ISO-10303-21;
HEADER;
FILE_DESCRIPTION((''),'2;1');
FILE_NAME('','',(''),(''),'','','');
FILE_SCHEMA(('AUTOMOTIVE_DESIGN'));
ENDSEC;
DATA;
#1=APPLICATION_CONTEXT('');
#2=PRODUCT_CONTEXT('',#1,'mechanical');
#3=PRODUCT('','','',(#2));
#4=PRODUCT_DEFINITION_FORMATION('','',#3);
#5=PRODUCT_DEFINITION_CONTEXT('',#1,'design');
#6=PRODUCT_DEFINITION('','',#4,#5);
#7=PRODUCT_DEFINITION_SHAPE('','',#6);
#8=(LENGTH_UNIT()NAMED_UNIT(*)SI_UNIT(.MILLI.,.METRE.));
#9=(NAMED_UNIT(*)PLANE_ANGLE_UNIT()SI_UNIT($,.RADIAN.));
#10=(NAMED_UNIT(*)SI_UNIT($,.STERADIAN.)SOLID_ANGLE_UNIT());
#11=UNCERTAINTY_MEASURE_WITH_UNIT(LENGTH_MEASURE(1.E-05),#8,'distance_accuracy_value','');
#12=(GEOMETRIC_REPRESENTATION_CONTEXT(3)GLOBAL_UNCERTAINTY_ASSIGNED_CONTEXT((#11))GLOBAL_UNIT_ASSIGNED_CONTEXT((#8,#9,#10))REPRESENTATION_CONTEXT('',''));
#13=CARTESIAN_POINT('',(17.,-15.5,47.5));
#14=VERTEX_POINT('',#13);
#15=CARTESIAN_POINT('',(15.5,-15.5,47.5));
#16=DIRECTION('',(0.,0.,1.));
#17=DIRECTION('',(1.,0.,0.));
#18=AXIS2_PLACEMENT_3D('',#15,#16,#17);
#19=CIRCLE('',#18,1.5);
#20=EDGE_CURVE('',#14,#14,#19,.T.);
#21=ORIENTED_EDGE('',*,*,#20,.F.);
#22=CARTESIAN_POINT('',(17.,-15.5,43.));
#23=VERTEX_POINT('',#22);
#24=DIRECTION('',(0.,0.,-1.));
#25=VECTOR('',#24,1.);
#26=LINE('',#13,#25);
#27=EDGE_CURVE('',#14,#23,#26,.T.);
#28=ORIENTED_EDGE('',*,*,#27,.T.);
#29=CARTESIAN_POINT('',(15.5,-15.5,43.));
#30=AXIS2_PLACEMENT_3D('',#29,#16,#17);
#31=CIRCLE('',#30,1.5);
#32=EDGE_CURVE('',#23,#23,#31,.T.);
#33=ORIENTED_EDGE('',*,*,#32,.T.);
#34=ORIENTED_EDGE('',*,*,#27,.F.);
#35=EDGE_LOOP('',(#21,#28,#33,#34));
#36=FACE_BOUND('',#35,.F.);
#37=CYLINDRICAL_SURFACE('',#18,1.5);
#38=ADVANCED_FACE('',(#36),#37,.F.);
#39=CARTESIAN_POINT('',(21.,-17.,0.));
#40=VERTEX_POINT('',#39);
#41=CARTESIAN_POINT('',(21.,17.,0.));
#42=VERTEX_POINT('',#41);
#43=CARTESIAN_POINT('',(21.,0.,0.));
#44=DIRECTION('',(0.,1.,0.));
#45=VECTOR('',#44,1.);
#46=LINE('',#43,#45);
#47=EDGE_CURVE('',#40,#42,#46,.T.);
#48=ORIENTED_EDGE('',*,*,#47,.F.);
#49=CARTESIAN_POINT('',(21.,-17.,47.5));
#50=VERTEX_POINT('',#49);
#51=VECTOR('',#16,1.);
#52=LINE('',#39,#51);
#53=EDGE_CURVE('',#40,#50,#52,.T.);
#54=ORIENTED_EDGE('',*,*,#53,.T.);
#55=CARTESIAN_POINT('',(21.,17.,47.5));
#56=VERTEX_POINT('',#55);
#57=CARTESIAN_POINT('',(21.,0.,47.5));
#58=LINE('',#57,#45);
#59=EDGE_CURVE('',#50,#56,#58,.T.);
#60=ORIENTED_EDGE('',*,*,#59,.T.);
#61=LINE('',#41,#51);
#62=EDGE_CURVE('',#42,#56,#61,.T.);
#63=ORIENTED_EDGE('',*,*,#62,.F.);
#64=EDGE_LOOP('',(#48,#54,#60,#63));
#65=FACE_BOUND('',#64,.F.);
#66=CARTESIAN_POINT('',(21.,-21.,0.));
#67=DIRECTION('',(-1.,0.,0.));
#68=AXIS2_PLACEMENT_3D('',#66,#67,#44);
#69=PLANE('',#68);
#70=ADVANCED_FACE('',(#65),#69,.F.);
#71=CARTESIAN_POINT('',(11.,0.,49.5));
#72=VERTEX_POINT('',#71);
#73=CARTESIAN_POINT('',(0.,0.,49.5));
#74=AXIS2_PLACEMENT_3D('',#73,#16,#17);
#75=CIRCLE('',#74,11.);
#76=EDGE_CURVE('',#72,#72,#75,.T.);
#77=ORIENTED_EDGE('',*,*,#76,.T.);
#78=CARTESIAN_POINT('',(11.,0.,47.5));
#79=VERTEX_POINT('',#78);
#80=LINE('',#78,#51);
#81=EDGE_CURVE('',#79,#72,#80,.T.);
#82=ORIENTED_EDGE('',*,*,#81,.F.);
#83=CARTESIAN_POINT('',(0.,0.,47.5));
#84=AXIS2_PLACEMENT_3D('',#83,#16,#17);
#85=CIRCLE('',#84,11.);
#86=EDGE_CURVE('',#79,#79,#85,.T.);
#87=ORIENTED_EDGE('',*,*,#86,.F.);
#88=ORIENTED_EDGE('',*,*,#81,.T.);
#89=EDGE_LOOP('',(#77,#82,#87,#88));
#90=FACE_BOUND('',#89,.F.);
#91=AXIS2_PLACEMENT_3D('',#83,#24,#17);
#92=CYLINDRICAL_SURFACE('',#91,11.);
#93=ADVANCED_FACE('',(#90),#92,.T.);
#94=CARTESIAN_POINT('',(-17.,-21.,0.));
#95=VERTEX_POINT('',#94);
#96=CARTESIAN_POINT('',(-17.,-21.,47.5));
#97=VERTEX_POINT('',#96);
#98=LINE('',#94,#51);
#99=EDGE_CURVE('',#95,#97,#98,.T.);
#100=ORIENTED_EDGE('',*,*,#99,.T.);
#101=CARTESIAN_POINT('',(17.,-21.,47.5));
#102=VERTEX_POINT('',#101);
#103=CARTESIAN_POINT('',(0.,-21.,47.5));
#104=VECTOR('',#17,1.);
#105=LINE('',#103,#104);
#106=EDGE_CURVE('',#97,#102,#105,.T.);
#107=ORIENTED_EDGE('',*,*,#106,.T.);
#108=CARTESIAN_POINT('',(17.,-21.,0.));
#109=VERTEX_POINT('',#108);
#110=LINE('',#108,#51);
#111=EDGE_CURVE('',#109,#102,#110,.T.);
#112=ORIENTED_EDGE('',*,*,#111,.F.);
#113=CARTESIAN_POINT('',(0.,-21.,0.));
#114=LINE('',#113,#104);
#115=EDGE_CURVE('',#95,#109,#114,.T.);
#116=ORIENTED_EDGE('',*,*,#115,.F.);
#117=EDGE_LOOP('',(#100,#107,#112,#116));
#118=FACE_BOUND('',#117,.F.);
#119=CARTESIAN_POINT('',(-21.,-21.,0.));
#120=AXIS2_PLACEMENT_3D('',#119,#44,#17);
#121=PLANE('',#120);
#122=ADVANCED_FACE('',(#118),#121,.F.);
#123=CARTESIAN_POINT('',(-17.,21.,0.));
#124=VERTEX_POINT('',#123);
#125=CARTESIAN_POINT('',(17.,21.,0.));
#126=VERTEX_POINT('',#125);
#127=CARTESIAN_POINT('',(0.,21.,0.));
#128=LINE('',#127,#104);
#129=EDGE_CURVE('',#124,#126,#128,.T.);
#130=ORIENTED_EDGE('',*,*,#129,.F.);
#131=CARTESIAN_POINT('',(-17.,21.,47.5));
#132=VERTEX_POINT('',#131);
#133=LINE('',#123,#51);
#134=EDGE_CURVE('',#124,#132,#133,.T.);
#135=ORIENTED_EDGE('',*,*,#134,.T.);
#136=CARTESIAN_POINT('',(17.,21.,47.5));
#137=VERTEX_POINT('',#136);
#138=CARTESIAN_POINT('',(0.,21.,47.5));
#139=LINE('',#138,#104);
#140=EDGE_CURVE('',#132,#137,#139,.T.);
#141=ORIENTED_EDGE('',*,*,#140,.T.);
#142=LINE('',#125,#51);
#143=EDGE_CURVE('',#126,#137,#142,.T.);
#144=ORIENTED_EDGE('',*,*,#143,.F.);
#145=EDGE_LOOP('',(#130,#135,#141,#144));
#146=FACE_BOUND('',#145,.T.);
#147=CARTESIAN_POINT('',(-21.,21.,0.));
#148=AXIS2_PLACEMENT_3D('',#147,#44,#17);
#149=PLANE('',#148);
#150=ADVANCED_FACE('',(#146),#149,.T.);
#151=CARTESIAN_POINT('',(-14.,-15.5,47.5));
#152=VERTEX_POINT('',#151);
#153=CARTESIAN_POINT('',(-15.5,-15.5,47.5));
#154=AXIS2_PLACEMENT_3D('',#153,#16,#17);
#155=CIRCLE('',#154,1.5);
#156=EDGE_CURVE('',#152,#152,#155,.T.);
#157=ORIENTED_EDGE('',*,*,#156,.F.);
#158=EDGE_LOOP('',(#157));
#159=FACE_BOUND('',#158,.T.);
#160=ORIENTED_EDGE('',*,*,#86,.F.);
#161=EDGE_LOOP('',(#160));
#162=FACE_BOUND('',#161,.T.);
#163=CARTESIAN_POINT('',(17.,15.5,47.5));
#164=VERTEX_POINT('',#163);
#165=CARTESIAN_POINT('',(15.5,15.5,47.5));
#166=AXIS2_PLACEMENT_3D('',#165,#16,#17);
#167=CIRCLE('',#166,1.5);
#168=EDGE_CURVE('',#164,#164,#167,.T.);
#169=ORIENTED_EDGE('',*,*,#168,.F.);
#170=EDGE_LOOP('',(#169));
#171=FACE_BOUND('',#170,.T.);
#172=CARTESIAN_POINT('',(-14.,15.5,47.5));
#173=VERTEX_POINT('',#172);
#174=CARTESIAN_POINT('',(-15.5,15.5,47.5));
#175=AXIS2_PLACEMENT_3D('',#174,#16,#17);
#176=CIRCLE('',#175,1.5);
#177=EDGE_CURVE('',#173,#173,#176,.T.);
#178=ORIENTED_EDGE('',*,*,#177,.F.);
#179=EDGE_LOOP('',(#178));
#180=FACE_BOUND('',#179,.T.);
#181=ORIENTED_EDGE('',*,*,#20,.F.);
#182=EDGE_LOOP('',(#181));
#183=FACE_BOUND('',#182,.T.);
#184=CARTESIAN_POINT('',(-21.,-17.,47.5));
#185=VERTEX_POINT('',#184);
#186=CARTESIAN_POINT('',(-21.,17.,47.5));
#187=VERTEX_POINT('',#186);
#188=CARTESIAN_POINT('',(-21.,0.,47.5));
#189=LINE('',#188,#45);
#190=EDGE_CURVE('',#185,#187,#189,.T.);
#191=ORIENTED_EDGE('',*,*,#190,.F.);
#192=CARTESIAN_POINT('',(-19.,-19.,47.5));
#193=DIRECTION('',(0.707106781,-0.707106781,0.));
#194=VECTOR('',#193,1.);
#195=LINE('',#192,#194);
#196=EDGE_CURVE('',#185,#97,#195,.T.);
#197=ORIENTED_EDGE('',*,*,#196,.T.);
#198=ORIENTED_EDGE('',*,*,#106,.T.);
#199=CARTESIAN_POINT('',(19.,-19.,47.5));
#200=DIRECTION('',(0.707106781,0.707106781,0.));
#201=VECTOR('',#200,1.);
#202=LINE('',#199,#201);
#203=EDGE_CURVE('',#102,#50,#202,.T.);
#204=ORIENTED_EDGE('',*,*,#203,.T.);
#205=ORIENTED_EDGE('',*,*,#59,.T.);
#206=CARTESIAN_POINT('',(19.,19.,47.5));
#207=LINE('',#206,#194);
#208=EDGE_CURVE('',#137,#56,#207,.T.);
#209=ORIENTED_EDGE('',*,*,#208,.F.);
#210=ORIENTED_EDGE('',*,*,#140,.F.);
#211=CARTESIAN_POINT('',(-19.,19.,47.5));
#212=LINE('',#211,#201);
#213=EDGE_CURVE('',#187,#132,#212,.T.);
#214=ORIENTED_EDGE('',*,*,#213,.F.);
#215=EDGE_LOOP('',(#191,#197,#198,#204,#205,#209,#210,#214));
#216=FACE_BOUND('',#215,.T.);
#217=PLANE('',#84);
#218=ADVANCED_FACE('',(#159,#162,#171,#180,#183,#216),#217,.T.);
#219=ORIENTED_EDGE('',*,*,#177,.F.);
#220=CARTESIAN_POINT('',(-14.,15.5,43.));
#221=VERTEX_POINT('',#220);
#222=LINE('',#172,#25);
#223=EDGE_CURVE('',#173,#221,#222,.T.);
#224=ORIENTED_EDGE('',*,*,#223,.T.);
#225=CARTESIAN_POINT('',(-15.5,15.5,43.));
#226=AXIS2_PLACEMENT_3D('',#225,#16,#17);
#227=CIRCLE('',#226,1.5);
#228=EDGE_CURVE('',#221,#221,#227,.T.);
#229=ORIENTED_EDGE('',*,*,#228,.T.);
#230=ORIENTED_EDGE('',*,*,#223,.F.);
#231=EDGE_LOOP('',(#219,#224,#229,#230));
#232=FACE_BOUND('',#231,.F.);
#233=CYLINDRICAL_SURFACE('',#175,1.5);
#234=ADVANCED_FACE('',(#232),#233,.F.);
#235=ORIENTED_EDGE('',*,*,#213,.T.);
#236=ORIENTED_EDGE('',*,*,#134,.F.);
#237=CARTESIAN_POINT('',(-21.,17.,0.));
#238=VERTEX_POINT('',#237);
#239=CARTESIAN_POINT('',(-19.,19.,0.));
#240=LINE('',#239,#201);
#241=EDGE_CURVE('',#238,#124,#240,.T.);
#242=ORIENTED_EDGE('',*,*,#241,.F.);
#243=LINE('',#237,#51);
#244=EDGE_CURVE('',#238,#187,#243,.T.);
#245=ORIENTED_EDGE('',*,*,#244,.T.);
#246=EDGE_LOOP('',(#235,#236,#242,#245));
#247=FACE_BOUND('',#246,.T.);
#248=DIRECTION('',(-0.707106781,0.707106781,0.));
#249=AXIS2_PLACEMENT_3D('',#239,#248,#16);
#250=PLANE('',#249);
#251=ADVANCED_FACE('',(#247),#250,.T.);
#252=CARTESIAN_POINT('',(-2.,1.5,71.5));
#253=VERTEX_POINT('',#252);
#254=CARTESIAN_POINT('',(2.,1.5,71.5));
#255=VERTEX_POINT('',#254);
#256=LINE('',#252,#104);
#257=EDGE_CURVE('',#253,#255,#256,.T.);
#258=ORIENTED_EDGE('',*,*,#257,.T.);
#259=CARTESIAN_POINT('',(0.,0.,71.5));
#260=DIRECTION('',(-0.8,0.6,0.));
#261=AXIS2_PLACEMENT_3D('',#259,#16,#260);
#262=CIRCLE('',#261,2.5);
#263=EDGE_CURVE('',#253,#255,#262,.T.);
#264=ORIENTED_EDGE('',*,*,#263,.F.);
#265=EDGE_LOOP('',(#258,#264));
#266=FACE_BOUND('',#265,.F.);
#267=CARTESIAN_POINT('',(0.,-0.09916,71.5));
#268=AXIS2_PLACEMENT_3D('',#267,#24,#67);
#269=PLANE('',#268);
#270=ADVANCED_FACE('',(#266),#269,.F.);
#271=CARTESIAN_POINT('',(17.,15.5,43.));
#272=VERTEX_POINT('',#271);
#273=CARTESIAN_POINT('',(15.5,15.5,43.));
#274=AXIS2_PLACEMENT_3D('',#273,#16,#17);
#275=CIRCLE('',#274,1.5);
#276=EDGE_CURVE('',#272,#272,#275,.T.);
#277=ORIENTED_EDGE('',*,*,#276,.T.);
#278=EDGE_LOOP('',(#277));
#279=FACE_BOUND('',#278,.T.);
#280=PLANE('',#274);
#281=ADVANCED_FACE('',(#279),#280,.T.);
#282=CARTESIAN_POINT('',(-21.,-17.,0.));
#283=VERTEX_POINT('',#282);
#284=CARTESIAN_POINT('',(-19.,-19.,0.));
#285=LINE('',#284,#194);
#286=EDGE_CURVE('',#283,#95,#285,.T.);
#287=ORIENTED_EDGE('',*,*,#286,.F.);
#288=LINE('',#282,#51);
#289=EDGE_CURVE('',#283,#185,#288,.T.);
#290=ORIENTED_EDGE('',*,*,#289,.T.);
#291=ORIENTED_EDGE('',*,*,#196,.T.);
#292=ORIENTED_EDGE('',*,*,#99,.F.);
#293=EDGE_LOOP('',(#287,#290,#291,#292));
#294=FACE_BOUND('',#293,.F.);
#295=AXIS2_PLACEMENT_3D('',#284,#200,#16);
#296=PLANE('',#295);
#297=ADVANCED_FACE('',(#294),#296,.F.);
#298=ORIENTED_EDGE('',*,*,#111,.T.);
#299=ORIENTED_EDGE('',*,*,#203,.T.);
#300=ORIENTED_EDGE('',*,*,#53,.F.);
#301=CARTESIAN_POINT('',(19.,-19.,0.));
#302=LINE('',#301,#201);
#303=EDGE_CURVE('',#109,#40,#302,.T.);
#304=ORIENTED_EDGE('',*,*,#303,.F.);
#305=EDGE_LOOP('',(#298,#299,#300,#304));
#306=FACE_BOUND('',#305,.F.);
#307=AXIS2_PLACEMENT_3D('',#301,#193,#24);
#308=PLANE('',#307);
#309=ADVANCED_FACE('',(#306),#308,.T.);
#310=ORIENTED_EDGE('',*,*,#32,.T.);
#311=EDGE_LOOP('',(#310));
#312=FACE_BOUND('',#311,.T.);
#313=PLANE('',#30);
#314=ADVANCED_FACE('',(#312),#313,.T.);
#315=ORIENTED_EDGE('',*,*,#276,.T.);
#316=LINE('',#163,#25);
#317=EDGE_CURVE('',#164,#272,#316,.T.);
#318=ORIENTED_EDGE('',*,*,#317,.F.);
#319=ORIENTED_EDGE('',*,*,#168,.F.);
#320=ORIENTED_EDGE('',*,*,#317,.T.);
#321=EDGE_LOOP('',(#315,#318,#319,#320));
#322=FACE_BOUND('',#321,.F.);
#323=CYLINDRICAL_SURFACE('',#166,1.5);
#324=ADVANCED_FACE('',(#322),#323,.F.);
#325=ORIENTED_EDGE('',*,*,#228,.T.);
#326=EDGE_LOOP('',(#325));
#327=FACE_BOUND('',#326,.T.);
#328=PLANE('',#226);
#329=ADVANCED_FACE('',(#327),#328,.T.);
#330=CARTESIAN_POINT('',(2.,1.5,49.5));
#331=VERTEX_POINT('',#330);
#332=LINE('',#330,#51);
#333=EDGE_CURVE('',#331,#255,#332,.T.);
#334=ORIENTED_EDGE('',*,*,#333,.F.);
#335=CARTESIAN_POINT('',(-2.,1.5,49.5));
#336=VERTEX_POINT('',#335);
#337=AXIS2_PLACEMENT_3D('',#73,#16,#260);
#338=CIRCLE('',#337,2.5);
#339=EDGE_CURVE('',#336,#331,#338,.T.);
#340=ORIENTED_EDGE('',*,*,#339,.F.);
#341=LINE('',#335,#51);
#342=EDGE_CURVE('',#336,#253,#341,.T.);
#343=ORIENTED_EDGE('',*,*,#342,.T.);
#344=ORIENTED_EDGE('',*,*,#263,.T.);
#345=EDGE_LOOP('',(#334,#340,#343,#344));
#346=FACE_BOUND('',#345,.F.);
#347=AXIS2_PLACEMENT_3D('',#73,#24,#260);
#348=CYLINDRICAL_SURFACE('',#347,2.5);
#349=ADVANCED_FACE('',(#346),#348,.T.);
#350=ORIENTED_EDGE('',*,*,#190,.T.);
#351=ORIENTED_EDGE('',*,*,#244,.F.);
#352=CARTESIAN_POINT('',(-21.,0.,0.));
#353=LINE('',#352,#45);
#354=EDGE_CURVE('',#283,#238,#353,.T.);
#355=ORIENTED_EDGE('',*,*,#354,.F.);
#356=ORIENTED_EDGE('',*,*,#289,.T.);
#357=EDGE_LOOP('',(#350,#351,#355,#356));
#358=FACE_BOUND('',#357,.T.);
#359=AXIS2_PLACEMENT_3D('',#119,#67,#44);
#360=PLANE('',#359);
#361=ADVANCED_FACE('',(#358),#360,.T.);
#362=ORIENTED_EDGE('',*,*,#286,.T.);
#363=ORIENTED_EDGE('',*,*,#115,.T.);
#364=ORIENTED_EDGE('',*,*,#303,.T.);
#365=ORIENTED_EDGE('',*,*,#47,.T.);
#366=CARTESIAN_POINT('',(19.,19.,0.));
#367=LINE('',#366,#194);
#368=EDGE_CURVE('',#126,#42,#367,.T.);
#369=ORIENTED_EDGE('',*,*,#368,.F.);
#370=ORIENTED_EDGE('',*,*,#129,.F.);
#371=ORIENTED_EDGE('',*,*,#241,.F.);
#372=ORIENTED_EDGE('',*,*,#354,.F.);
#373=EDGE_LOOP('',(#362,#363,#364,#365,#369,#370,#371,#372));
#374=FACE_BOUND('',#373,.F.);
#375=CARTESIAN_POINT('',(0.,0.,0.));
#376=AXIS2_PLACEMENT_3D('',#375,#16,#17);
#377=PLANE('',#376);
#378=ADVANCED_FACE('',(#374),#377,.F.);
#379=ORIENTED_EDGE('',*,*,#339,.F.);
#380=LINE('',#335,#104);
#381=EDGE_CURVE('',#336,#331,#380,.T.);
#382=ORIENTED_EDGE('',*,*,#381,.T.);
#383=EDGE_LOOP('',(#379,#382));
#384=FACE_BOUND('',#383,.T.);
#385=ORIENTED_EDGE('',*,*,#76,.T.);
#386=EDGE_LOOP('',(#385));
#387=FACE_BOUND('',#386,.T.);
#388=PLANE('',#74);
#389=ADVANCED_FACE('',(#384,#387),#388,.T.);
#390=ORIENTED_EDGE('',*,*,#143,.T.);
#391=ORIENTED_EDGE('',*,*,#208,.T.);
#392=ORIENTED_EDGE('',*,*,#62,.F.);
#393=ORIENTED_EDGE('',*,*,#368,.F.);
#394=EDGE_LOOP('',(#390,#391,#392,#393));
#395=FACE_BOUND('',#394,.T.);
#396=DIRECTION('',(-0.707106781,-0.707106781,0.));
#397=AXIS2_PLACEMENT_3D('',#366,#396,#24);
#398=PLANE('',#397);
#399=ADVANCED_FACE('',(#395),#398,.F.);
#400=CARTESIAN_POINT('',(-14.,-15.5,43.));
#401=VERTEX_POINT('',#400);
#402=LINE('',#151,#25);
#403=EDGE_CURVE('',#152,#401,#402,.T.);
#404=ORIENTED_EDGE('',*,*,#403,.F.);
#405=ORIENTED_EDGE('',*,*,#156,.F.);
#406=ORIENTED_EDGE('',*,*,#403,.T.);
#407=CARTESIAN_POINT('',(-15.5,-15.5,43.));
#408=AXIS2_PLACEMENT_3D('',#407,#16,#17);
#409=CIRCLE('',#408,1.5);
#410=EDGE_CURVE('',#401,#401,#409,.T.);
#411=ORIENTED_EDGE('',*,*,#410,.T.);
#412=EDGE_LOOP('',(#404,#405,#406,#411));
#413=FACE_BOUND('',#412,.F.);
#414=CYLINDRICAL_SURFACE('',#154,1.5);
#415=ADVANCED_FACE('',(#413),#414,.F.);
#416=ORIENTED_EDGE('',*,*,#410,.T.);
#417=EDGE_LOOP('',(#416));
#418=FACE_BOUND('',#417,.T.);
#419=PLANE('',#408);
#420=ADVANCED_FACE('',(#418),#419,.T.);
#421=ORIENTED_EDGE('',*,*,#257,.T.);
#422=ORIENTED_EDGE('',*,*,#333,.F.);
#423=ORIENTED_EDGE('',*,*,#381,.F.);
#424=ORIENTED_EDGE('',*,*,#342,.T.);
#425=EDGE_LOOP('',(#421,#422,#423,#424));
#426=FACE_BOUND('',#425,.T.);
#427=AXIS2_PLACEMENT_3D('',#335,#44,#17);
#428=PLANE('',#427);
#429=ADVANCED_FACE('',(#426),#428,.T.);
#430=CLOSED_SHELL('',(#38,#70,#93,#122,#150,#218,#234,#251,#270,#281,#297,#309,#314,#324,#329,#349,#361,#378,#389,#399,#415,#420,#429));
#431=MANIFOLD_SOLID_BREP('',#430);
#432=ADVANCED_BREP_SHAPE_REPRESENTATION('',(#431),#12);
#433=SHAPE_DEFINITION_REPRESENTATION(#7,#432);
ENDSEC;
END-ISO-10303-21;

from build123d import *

# Parameters (mm, degrees)
SKETCH_W     = 42
SKETCH_H     = 42
PAD_DEPTH    = 47.5
SKETCH001_R  = 1.5
POCKET_DEPTH = 4.5
SKETCH002_R  = 11
PAD001_DEPTH = 2
PAD002_DEPTH = 22
CHAMFER_SIZE = 4


with BuildPart() as part:
    # Sketch → Pad (new body)
    with BuildSketch(Plane.XY):
        Rectangle(SKETCH_W, SKETCH_H)
    extrude(amount=PAD_DEPTH)

    # Sketch001 → Pocket (cut)
    with BuildSketch(Plane.XY.offset(47.5)):
        with Locations((-15.5, 15.5)):
            Circle(SKETCH001_R)
        with Locations((15.5, 15.5)):
            Circle(SKETCH001_R)
        with Locations((-15.5, -15.5)):
            Circle(SKETCH001_R)
        with Locations((15.5, -15.5)):
            Circle(SKETCH001_R)
    extrude(amount=-POCKET_DEPTH, mode=Mode.SUBTRACT)

    # Sketch002 → Pad001 (new body)
    with BuildSketch(Plane.XY.offset(47.5)):
        Circle(SKETCH002_R)
    extrude(amount=PAD001_DEPTH)

    # Sketch003 → Pad002 (new body)
    with BuildSketch(Plane.XY.offset(49.5)):
        with BuildLine():
            Line((-2, 1.5), (2, 1.5))
            ThreePointArc((-2, 1.5), (0, -2.5), (2, 1.5))
        make_face()
    extrude(amount=PAD002_DEPTH)

    # Chamfer
    chamfer_edges = [part.edges().sort_by_distance(p)[0] for p in [
        (-21, -21, 23.75),
        (21, -21, 23.75),
        (21, 21, 23.75),
        (-21, 21, 23.75),
    ]]
    chamfer(chamfer_edges, length=CHAMFER_SIZE)


solid = part.part
